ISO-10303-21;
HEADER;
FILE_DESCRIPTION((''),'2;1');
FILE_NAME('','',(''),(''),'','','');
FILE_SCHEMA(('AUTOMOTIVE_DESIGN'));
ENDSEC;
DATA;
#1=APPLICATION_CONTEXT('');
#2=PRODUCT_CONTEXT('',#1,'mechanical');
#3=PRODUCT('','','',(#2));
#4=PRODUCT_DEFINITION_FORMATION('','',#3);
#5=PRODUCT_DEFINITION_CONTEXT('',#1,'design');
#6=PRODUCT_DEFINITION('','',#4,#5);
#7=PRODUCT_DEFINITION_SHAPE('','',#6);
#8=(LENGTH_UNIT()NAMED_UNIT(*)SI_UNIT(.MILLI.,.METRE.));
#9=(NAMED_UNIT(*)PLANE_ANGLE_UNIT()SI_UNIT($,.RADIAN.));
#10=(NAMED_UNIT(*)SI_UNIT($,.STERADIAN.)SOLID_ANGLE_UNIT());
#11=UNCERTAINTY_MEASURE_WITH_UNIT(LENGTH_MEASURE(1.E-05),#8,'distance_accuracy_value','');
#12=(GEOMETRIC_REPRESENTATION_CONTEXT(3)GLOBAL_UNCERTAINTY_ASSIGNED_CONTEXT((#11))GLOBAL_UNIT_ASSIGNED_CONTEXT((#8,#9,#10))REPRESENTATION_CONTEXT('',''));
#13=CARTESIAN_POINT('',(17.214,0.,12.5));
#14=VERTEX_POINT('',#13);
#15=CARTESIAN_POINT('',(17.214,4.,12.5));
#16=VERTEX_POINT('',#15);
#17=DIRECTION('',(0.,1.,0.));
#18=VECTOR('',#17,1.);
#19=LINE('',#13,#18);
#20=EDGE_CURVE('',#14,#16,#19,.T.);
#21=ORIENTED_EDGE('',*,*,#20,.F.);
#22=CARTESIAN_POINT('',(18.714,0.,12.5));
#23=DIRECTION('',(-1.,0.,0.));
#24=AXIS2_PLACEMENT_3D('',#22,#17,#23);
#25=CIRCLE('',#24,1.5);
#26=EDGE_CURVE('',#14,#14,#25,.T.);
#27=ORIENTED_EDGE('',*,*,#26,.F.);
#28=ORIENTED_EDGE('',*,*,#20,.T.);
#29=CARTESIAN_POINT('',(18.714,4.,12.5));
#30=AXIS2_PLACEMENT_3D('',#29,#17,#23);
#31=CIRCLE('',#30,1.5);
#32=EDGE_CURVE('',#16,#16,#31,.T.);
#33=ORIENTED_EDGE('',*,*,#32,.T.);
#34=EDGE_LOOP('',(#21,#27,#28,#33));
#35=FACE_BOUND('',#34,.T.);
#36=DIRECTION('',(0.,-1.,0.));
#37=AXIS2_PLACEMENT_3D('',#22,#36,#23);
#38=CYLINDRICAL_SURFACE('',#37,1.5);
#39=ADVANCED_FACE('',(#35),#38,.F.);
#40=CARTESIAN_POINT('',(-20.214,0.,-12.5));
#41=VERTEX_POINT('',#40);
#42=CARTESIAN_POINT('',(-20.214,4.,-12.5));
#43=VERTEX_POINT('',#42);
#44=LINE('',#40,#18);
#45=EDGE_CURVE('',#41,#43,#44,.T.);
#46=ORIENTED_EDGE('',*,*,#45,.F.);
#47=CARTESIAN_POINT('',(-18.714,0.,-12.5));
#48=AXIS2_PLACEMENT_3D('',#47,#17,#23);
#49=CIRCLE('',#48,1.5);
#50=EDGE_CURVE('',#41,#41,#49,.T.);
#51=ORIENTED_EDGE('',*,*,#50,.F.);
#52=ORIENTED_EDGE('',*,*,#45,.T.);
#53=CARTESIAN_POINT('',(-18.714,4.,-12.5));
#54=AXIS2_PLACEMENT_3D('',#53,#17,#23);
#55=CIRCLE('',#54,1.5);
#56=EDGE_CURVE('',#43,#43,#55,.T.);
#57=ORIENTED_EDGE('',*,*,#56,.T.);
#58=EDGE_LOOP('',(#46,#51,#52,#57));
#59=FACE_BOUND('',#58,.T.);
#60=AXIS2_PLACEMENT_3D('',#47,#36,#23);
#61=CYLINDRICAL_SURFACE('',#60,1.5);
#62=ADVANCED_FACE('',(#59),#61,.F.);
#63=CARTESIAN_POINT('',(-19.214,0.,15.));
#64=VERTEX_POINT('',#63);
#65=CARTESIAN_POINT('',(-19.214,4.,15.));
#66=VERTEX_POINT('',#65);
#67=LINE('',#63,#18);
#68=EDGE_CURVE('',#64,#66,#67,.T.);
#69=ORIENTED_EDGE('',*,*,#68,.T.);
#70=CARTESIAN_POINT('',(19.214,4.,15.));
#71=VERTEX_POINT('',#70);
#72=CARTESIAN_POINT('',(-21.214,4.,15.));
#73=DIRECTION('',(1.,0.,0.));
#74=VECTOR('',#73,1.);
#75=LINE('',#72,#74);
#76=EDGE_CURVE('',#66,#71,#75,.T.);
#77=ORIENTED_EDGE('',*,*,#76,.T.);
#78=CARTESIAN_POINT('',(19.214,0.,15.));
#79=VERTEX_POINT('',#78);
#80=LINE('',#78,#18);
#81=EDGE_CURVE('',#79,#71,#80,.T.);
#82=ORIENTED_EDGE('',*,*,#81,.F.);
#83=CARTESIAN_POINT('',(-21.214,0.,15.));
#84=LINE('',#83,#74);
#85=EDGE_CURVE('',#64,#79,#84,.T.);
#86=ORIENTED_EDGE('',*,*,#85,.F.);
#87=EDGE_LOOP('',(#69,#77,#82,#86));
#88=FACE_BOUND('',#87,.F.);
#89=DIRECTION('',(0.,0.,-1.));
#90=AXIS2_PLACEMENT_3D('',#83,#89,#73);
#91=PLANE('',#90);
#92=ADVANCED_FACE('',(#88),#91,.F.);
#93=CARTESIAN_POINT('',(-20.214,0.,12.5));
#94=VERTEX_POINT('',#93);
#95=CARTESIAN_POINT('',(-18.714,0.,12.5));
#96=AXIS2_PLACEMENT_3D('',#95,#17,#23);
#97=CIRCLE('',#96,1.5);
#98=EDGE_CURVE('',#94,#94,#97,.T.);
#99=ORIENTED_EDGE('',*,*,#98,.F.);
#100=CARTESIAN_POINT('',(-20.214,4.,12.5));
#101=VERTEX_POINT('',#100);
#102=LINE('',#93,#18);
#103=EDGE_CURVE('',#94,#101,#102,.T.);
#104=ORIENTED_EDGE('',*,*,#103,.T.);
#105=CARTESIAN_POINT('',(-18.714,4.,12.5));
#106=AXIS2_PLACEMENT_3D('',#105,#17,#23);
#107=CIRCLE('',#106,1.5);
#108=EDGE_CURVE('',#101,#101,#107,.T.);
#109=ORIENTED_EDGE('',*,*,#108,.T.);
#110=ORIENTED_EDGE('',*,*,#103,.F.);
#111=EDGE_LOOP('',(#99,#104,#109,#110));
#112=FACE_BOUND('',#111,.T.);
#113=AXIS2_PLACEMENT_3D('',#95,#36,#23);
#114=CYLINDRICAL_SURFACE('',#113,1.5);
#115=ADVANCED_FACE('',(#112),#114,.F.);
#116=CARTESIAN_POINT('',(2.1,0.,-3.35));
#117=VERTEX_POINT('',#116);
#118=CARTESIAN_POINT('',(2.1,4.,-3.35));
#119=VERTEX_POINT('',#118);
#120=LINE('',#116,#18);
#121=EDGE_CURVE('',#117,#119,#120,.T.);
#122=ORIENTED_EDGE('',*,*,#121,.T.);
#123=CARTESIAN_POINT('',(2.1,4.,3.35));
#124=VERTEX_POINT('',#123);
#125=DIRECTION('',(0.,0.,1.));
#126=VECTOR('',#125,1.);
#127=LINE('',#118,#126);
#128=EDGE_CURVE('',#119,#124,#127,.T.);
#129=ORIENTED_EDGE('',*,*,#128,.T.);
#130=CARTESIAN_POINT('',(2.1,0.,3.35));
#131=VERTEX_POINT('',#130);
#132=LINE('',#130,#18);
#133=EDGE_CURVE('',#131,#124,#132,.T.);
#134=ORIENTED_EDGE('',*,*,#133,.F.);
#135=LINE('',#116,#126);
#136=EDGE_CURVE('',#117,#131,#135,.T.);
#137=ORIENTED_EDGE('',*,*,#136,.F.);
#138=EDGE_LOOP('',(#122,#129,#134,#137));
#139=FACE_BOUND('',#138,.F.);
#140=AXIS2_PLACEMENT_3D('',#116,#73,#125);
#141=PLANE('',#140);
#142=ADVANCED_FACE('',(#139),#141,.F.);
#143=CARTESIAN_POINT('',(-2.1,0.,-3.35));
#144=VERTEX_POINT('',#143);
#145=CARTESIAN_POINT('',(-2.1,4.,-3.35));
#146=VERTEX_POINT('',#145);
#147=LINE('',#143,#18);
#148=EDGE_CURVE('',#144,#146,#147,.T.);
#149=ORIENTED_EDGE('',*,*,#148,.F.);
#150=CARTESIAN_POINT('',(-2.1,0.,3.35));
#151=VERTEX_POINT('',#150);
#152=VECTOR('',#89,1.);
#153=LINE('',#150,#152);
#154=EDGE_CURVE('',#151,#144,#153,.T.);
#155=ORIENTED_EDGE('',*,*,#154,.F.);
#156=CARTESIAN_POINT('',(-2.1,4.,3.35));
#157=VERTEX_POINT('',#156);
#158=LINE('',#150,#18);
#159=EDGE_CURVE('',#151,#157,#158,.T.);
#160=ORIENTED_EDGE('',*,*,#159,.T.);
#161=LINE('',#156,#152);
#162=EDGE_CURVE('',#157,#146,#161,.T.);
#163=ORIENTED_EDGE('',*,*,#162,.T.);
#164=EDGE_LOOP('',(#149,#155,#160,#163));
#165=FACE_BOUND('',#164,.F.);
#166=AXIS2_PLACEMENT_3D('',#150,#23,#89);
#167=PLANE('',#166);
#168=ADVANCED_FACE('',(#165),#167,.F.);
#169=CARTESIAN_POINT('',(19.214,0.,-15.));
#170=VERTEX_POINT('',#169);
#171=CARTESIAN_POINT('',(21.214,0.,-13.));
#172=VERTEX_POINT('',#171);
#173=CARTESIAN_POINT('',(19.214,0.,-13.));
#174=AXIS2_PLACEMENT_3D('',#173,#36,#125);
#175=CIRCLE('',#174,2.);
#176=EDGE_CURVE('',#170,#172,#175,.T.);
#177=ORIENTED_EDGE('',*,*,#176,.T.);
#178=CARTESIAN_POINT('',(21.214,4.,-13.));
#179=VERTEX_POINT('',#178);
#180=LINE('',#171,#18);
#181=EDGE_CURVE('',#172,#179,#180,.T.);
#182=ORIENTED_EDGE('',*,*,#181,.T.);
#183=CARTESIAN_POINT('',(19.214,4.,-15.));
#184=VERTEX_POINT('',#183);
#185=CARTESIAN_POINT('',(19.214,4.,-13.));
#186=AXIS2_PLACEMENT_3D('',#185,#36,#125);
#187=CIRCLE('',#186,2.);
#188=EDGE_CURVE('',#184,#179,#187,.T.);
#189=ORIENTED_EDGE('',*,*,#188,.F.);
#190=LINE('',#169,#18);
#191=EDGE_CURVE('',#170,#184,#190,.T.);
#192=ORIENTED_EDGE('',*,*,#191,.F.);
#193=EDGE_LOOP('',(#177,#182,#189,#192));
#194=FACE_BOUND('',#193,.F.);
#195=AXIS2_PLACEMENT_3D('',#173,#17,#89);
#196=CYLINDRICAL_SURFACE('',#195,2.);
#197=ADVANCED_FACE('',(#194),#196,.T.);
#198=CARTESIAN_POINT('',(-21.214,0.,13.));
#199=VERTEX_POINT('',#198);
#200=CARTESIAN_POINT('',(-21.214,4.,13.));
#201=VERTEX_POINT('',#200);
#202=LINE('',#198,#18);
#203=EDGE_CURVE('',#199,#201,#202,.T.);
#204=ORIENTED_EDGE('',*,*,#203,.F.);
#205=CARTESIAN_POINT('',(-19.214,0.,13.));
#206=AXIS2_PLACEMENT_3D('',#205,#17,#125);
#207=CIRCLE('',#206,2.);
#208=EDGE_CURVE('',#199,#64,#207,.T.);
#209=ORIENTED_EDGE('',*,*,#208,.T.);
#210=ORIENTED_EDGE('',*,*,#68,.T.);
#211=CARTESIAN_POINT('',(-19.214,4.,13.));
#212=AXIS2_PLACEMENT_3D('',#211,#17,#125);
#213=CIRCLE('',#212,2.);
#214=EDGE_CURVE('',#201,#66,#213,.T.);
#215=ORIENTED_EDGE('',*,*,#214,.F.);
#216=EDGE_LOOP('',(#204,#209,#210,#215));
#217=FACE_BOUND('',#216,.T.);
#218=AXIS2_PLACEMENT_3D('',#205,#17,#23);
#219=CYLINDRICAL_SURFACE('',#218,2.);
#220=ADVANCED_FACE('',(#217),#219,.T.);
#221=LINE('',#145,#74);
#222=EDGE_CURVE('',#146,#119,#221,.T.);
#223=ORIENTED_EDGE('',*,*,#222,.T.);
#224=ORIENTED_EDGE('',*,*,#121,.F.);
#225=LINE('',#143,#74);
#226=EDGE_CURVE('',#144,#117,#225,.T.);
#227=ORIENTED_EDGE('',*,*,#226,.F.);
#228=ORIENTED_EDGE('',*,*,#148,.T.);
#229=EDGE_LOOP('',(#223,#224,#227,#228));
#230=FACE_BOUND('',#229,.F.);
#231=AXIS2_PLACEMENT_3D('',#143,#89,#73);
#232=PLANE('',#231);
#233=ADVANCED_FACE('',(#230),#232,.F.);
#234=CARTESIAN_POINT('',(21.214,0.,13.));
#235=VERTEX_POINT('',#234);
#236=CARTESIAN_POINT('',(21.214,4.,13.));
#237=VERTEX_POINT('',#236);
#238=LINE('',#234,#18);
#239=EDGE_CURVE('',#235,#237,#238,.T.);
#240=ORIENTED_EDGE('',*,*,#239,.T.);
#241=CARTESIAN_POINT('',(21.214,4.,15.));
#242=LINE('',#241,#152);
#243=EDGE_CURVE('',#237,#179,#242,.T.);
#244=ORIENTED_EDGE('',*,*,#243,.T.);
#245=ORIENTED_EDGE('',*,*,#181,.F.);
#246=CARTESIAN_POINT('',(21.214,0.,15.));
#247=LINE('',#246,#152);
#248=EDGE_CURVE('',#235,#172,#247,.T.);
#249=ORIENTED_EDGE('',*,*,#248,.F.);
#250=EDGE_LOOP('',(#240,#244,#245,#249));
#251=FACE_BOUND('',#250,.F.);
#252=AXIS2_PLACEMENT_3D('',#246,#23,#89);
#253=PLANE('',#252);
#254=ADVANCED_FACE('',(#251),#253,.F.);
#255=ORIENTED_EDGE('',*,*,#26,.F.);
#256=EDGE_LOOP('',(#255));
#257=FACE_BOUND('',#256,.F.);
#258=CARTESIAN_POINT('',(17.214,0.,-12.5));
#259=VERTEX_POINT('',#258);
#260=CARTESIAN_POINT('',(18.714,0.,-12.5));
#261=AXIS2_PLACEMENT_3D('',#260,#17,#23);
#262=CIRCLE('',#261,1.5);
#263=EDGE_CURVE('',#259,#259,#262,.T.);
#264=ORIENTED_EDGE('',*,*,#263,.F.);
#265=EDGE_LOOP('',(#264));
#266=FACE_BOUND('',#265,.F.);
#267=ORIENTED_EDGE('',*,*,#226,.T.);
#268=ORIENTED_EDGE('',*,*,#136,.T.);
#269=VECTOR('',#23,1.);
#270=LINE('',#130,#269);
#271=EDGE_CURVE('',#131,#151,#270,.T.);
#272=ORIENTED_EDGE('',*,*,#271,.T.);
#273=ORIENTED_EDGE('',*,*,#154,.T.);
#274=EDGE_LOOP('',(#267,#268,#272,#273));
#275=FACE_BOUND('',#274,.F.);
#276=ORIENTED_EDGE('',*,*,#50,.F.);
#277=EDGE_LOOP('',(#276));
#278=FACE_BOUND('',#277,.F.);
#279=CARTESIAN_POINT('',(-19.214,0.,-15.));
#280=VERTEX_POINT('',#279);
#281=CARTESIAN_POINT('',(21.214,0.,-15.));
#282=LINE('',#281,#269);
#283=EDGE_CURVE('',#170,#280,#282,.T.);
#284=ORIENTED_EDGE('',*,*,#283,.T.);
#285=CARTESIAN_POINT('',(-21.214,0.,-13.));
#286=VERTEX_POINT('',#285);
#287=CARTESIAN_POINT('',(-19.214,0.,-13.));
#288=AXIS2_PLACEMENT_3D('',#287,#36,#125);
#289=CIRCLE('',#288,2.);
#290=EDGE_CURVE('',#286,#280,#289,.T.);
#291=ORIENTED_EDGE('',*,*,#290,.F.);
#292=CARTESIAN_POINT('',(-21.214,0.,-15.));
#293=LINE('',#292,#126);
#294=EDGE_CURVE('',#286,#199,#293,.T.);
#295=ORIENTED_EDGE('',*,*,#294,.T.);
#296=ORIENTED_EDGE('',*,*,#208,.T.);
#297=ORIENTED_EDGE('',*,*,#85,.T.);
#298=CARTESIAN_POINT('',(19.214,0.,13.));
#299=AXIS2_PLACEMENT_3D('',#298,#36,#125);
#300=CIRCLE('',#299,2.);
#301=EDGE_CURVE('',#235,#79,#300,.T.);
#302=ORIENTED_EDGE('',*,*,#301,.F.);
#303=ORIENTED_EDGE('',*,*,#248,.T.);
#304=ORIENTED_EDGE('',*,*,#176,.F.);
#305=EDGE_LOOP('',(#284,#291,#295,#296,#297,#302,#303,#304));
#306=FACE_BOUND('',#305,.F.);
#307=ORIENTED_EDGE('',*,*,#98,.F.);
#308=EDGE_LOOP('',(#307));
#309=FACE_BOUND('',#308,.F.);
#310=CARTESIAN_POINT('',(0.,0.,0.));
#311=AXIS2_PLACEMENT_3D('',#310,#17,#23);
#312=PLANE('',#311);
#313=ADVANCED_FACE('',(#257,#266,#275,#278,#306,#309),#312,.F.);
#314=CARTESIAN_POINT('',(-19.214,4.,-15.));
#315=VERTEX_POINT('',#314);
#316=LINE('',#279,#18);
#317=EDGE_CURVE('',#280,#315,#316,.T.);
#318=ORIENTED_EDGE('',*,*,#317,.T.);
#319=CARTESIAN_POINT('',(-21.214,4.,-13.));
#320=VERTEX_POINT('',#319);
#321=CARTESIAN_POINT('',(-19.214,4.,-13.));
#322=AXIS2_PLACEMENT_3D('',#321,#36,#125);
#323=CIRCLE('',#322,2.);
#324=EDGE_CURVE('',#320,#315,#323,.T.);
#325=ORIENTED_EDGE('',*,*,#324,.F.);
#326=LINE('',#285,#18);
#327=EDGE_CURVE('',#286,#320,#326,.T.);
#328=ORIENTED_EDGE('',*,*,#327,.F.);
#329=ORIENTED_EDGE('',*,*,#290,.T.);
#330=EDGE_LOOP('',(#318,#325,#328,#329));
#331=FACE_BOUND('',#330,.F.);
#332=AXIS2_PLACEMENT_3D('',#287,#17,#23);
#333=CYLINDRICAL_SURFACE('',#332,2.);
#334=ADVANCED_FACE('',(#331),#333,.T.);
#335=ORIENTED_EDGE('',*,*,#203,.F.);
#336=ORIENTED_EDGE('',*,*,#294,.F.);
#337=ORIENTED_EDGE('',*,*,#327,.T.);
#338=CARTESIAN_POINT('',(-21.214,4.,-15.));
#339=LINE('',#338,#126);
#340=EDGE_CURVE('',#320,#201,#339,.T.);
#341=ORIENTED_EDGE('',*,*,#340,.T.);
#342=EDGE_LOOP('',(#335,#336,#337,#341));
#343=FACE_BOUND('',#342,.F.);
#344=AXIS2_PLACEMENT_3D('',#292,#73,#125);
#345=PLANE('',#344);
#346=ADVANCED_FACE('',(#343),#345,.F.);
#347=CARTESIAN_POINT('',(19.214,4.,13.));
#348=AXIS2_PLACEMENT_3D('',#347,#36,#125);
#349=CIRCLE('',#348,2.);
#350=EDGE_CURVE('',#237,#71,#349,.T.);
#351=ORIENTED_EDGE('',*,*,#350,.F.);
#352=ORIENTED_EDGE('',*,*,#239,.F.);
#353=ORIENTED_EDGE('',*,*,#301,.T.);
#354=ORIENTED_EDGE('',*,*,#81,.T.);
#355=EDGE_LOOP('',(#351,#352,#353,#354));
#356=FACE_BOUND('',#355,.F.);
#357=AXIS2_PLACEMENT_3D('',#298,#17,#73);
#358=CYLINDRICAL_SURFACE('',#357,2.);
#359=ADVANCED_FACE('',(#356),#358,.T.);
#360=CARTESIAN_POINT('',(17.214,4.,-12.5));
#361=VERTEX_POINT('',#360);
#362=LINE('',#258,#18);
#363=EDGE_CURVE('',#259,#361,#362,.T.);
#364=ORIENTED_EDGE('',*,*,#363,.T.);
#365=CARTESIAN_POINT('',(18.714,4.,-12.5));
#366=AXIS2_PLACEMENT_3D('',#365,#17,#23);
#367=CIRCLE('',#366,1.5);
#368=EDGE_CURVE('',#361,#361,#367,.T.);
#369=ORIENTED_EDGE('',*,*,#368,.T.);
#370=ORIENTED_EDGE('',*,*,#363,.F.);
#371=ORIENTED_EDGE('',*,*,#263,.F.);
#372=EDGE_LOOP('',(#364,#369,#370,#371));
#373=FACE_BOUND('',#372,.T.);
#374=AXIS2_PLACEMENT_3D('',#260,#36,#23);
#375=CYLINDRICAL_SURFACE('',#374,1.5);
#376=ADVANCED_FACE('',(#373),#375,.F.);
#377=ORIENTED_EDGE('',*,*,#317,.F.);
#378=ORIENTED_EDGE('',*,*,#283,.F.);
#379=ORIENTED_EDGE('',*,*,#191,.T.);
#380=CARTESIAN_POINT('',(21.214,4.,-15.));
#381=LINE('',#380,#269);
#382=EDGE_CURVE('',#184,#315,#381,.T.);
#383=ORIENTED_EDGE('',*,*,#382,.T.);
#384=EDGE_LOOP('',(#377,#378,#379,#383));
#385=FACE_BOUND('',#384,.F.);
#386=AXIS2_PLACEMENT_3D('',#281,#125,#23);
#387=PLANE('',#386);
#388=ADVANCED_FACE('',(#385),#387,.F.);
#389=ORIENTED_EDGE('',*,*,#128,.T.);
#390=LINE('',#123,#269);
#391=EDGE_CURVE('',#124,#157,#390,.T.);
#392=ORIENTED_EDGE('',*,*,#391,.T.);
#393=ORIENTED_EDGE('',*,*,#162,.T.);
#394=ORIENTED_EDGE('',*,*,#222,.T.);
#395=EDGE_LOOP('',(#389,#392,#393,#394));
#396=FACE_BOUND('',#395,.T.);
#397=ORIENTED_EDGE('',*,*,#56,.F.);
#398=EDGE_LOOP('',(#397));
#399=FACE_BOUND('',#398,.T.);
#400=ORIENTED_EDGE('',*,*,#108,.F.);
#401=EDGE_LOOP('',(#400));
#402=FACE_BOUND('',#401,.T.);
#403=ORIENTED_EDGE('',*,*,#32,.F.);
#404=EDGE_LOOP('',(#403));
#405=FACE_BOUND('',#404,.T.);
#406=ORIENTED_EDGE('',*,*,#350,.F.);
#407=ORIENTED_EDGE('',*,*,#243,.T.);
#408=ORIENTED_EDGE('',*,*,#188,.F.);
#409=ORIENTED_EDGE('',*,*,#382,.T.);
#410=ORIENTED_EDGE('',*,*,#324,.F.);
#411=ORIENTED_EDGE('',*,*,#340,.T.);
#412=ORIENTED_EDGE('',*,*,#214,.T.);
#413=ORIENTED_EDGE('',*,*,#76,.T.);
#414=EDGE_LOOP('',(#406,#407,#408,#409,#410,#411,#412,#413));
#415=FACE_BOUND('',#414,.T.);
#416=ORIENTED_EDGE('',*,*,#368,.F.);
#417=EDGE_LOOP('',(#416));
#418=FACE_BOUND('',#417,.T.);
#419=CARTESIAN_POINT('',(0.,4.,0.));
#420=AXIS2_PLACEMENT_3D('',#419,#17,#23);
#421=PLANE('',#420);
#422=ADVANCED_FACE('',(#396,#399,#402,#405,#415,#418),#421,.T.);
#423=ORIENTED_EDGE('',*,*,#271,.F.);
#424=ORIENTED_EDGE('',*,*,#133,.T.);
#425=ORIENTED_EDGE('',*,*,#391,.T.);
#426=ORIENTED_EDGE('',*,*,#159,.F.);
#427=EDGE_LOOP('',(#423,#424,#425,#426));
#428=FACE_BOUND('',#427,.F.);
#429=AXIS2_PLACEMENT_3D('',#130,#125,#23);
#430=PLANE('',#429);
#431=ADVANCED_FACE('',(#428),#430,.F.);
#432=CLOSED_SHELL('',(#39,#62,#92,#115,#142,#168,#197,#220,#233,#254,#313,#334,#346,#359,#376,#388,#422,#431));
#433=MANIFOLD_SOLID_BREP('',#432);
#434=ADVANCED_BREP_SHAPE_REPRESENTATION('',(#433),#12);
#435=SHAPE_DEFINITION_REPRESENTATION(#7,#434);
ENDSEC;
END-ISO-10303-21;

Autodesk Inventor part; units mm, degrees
ref_plane "YZ Plane" through (0, 0, 0) normal (1, 0, 0) x (0, 1, 0)
ref_plane "XZ Plane" through (0, 0, 0) normal (0, 1, 0) x (-1, 0, 0)
ref_plane "XY Plane" through (0, 0, 0) normal (0, 0, 1) x (1, 0, 0)
sketch "Sketch1" plane through (0, 0, 0) normal (0, 1, 0) x (-1, 0, 0)
  line L0 (-18.714, 12.5) -> (18.714, 12.5) construction
  line L1 (18.714, 12.5) -> (18.714, -12.5) construction
  line L2 (18.714, -12.5) -> (-18.714, -12.5) construction
  line L3 (-18.714, -12.5) -> (-18.714, 12.5) construction
  line L4 (-18.714, 12.5) -> (18.714, -12.5) construction
  line L5 (18.714, 12.5) -> (-18.714, -12.5) construction
  circle A0 centre (18.714, -12.5) radius 1.5
  circle A1 centre (18.714, 12.5) radius 1.5
  circle A2 centre (-18.714, -12.5) radius 1.5
  circle A3 centre (-18.714, 12.5) radius 1.5
  line L6 (21.214, 15) -> (-21.214, 15)
  line L7 (-21.214, 15) -> (-21.214, -15)
  line L8 (-21.214, -15) -> (21.214, -15)
  line L9 (21.214, -15) -> (21.214, 15)
  line L10 (21.214, 15) -> (-21.214, -15) construction
  line L11 (-21.214, 15) -> (21.214, -15) construction
  line L12 (0.6, 1.85) -> (-0.6, 1.85) construction
  line L13 (-0.6, 1.85) -> (-0.6, -1.85) construction
  line L14 (-0.6, -1.85) -> (0.6, -1.85) construction
  line L15 (0.6, -1.85) -> (0.6, 1.85) construction
  line L16 (0.6, 1.85) -> (-0.6, -1.85) construction
  line L17 (-0.6, 1.85) -> (0.6, -1.85) construction
  line L18 (-2.1, 3.35) -> (2.1, 3.35)
  line L19 (2.1, 3.35) -> (2.1, -3.35)
  line L20 (2.1, -3.35) -> (-2.1, -3.35)
  line L21 (-2.1, -3.35) -> (-2.1, 3.35)
  line L22 (-2.1, 3.35) -> (2.1, -3.35) construction
  line L23 (2.1, 3.35) -> (-2.1, -3.35) construction
  point P0 (0, 0)
  dimension "d0" = 37.428
  dimension "d1" = 25
  dimension "d2" = 3
  dimension "d3" = 3
  dimension "d4" = 3
  dimension "d5" = 3
  dimension "d6" = 42.428
  dimension "d7" = 30
  dimension "d8" = 1.2
  dimension "d9" = 3.7
  dimension "d10" = 4.2
  dimension "d11" = 6.7
extrude "Extrusion1" add sketch "Sketch1" along normal blind 4
fillet "Fillet1" radius 2 4 edges at (-21.214, 2, 15) (21.214, 2, 15) (21.214, 2, -15) (-21.214, 2, -15)
properties part number "DAWN_motor_house_mold_lid"
